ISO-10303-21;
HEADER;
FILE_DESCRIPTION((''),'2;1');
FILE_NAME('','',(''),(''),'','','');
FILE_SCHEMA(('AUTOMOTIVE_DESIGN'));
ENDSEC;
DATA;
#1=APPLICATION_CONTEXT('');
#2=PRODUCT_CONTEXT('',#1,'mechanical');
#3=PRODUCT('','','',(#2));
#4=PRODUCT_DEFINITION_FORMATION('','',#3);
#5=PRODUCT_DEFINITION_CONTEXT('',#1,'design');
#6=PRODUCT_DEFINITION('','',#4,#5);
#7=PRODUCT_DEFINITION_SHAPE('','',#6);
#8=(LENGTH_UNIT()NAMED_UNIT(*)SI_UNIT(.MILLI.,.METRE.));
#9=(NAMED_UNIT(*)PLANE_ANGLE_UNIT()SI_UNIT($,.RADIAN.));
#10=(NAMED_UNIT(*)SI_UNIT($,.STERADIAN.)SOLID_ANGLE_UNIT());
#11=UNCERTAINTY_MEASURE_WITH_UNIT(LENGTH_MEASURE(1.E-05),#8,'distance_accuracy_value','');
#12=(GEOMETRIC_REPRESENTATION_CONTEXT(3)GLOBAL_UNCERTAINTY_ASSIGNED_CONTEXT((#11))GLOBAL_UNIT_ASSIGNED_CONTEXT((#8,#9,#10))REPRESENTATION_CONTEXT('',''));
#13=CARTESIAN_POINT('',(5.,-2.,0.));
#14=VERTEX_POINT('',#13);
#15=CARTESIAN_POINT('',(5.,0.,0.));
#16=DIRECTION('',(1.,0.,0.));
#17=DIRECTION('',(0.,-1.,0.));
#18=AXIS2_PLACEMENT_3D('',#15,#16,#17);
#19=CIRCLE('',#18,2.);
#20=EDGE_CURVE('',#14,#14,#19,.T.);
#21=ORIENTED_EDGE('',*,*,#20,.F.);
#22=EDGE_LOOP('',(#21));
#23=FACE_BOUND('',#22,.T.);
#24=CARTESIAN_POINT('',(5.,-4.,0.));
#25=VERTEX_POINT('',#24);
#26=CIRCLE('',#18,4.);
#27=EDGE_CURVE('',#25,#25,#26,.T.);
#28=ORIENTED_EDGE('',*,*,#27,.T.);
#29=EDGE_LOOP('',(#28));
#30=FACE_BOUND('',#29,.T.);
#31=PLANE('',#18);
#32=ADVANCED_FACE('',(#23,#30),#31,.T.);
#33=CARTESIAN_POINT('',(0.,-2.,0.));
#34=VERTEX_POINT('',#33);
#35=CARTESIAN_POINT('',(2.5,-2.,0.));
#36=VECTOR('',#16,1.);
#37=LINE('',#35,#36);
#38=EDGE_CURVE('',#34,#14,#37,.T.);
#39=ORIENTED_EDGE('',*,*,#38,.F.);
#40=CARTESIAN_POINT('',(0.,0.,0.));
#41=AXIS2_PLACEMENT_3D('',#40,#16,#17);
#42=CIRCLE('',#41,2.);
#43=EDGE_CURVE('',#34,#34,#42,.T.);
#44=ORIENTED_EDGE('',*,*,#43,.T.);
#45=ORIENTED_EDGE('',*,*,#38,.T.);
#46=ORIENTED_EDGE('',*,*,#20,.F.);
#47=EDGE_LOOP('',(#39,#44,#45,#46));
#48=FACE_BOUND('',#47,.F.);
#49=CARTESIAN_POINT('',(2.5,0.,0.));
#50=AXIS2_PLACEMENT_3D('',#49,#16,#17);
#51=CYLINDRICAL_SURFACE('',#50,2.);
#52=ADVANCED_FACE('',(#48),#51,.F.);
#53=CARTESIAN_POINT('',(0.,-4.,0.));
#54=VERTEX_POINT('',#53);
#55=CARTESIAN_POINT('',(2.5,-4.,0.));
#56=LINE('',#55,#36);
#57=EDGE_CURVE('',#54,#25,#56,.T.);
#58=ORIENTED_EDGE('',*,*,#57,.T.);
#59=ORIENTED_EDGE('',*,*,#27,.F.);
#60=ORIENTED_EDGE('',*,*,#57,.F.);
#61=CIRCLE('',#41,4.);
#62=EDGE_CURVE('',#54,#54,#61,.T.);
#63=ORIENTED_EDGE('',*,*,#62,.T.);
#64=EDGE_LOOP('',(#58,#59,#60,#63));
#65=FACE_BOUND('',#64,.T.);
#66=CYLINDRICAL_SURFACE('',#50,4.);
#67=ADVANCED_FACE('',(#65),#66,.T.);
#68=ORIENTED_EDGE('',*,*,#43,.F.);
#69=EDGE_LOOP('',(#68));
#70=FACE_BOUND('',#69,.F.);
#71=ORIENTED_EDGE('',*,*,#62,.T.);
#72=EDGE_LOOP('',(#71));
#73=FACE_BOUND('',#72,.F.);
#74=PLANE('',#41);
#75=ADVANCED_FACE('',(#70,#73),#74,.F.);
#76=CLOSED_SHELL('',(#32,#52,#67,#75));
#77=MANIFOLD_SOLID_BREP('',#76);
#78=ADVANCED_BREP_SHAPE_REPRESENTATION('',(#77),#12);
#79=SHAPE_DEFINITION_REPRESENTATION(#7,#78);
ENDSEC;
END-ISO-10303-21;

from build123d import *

# Parameters (mm, degrees)
SKETCH1_W = 5
SKETCH1_H = 2


with BuildPart() as part:
    # Sketch1 → Revolve1 (revolve)
    with BuildSketch(Plane.XY):
        with Locations((2.5, -3)):
            Rectangle(SKETCH1_W, SKETCH1_H)
    revolve(axis=Axis((0, 0, 0), (1, 0, 0)))


solid = part.part
